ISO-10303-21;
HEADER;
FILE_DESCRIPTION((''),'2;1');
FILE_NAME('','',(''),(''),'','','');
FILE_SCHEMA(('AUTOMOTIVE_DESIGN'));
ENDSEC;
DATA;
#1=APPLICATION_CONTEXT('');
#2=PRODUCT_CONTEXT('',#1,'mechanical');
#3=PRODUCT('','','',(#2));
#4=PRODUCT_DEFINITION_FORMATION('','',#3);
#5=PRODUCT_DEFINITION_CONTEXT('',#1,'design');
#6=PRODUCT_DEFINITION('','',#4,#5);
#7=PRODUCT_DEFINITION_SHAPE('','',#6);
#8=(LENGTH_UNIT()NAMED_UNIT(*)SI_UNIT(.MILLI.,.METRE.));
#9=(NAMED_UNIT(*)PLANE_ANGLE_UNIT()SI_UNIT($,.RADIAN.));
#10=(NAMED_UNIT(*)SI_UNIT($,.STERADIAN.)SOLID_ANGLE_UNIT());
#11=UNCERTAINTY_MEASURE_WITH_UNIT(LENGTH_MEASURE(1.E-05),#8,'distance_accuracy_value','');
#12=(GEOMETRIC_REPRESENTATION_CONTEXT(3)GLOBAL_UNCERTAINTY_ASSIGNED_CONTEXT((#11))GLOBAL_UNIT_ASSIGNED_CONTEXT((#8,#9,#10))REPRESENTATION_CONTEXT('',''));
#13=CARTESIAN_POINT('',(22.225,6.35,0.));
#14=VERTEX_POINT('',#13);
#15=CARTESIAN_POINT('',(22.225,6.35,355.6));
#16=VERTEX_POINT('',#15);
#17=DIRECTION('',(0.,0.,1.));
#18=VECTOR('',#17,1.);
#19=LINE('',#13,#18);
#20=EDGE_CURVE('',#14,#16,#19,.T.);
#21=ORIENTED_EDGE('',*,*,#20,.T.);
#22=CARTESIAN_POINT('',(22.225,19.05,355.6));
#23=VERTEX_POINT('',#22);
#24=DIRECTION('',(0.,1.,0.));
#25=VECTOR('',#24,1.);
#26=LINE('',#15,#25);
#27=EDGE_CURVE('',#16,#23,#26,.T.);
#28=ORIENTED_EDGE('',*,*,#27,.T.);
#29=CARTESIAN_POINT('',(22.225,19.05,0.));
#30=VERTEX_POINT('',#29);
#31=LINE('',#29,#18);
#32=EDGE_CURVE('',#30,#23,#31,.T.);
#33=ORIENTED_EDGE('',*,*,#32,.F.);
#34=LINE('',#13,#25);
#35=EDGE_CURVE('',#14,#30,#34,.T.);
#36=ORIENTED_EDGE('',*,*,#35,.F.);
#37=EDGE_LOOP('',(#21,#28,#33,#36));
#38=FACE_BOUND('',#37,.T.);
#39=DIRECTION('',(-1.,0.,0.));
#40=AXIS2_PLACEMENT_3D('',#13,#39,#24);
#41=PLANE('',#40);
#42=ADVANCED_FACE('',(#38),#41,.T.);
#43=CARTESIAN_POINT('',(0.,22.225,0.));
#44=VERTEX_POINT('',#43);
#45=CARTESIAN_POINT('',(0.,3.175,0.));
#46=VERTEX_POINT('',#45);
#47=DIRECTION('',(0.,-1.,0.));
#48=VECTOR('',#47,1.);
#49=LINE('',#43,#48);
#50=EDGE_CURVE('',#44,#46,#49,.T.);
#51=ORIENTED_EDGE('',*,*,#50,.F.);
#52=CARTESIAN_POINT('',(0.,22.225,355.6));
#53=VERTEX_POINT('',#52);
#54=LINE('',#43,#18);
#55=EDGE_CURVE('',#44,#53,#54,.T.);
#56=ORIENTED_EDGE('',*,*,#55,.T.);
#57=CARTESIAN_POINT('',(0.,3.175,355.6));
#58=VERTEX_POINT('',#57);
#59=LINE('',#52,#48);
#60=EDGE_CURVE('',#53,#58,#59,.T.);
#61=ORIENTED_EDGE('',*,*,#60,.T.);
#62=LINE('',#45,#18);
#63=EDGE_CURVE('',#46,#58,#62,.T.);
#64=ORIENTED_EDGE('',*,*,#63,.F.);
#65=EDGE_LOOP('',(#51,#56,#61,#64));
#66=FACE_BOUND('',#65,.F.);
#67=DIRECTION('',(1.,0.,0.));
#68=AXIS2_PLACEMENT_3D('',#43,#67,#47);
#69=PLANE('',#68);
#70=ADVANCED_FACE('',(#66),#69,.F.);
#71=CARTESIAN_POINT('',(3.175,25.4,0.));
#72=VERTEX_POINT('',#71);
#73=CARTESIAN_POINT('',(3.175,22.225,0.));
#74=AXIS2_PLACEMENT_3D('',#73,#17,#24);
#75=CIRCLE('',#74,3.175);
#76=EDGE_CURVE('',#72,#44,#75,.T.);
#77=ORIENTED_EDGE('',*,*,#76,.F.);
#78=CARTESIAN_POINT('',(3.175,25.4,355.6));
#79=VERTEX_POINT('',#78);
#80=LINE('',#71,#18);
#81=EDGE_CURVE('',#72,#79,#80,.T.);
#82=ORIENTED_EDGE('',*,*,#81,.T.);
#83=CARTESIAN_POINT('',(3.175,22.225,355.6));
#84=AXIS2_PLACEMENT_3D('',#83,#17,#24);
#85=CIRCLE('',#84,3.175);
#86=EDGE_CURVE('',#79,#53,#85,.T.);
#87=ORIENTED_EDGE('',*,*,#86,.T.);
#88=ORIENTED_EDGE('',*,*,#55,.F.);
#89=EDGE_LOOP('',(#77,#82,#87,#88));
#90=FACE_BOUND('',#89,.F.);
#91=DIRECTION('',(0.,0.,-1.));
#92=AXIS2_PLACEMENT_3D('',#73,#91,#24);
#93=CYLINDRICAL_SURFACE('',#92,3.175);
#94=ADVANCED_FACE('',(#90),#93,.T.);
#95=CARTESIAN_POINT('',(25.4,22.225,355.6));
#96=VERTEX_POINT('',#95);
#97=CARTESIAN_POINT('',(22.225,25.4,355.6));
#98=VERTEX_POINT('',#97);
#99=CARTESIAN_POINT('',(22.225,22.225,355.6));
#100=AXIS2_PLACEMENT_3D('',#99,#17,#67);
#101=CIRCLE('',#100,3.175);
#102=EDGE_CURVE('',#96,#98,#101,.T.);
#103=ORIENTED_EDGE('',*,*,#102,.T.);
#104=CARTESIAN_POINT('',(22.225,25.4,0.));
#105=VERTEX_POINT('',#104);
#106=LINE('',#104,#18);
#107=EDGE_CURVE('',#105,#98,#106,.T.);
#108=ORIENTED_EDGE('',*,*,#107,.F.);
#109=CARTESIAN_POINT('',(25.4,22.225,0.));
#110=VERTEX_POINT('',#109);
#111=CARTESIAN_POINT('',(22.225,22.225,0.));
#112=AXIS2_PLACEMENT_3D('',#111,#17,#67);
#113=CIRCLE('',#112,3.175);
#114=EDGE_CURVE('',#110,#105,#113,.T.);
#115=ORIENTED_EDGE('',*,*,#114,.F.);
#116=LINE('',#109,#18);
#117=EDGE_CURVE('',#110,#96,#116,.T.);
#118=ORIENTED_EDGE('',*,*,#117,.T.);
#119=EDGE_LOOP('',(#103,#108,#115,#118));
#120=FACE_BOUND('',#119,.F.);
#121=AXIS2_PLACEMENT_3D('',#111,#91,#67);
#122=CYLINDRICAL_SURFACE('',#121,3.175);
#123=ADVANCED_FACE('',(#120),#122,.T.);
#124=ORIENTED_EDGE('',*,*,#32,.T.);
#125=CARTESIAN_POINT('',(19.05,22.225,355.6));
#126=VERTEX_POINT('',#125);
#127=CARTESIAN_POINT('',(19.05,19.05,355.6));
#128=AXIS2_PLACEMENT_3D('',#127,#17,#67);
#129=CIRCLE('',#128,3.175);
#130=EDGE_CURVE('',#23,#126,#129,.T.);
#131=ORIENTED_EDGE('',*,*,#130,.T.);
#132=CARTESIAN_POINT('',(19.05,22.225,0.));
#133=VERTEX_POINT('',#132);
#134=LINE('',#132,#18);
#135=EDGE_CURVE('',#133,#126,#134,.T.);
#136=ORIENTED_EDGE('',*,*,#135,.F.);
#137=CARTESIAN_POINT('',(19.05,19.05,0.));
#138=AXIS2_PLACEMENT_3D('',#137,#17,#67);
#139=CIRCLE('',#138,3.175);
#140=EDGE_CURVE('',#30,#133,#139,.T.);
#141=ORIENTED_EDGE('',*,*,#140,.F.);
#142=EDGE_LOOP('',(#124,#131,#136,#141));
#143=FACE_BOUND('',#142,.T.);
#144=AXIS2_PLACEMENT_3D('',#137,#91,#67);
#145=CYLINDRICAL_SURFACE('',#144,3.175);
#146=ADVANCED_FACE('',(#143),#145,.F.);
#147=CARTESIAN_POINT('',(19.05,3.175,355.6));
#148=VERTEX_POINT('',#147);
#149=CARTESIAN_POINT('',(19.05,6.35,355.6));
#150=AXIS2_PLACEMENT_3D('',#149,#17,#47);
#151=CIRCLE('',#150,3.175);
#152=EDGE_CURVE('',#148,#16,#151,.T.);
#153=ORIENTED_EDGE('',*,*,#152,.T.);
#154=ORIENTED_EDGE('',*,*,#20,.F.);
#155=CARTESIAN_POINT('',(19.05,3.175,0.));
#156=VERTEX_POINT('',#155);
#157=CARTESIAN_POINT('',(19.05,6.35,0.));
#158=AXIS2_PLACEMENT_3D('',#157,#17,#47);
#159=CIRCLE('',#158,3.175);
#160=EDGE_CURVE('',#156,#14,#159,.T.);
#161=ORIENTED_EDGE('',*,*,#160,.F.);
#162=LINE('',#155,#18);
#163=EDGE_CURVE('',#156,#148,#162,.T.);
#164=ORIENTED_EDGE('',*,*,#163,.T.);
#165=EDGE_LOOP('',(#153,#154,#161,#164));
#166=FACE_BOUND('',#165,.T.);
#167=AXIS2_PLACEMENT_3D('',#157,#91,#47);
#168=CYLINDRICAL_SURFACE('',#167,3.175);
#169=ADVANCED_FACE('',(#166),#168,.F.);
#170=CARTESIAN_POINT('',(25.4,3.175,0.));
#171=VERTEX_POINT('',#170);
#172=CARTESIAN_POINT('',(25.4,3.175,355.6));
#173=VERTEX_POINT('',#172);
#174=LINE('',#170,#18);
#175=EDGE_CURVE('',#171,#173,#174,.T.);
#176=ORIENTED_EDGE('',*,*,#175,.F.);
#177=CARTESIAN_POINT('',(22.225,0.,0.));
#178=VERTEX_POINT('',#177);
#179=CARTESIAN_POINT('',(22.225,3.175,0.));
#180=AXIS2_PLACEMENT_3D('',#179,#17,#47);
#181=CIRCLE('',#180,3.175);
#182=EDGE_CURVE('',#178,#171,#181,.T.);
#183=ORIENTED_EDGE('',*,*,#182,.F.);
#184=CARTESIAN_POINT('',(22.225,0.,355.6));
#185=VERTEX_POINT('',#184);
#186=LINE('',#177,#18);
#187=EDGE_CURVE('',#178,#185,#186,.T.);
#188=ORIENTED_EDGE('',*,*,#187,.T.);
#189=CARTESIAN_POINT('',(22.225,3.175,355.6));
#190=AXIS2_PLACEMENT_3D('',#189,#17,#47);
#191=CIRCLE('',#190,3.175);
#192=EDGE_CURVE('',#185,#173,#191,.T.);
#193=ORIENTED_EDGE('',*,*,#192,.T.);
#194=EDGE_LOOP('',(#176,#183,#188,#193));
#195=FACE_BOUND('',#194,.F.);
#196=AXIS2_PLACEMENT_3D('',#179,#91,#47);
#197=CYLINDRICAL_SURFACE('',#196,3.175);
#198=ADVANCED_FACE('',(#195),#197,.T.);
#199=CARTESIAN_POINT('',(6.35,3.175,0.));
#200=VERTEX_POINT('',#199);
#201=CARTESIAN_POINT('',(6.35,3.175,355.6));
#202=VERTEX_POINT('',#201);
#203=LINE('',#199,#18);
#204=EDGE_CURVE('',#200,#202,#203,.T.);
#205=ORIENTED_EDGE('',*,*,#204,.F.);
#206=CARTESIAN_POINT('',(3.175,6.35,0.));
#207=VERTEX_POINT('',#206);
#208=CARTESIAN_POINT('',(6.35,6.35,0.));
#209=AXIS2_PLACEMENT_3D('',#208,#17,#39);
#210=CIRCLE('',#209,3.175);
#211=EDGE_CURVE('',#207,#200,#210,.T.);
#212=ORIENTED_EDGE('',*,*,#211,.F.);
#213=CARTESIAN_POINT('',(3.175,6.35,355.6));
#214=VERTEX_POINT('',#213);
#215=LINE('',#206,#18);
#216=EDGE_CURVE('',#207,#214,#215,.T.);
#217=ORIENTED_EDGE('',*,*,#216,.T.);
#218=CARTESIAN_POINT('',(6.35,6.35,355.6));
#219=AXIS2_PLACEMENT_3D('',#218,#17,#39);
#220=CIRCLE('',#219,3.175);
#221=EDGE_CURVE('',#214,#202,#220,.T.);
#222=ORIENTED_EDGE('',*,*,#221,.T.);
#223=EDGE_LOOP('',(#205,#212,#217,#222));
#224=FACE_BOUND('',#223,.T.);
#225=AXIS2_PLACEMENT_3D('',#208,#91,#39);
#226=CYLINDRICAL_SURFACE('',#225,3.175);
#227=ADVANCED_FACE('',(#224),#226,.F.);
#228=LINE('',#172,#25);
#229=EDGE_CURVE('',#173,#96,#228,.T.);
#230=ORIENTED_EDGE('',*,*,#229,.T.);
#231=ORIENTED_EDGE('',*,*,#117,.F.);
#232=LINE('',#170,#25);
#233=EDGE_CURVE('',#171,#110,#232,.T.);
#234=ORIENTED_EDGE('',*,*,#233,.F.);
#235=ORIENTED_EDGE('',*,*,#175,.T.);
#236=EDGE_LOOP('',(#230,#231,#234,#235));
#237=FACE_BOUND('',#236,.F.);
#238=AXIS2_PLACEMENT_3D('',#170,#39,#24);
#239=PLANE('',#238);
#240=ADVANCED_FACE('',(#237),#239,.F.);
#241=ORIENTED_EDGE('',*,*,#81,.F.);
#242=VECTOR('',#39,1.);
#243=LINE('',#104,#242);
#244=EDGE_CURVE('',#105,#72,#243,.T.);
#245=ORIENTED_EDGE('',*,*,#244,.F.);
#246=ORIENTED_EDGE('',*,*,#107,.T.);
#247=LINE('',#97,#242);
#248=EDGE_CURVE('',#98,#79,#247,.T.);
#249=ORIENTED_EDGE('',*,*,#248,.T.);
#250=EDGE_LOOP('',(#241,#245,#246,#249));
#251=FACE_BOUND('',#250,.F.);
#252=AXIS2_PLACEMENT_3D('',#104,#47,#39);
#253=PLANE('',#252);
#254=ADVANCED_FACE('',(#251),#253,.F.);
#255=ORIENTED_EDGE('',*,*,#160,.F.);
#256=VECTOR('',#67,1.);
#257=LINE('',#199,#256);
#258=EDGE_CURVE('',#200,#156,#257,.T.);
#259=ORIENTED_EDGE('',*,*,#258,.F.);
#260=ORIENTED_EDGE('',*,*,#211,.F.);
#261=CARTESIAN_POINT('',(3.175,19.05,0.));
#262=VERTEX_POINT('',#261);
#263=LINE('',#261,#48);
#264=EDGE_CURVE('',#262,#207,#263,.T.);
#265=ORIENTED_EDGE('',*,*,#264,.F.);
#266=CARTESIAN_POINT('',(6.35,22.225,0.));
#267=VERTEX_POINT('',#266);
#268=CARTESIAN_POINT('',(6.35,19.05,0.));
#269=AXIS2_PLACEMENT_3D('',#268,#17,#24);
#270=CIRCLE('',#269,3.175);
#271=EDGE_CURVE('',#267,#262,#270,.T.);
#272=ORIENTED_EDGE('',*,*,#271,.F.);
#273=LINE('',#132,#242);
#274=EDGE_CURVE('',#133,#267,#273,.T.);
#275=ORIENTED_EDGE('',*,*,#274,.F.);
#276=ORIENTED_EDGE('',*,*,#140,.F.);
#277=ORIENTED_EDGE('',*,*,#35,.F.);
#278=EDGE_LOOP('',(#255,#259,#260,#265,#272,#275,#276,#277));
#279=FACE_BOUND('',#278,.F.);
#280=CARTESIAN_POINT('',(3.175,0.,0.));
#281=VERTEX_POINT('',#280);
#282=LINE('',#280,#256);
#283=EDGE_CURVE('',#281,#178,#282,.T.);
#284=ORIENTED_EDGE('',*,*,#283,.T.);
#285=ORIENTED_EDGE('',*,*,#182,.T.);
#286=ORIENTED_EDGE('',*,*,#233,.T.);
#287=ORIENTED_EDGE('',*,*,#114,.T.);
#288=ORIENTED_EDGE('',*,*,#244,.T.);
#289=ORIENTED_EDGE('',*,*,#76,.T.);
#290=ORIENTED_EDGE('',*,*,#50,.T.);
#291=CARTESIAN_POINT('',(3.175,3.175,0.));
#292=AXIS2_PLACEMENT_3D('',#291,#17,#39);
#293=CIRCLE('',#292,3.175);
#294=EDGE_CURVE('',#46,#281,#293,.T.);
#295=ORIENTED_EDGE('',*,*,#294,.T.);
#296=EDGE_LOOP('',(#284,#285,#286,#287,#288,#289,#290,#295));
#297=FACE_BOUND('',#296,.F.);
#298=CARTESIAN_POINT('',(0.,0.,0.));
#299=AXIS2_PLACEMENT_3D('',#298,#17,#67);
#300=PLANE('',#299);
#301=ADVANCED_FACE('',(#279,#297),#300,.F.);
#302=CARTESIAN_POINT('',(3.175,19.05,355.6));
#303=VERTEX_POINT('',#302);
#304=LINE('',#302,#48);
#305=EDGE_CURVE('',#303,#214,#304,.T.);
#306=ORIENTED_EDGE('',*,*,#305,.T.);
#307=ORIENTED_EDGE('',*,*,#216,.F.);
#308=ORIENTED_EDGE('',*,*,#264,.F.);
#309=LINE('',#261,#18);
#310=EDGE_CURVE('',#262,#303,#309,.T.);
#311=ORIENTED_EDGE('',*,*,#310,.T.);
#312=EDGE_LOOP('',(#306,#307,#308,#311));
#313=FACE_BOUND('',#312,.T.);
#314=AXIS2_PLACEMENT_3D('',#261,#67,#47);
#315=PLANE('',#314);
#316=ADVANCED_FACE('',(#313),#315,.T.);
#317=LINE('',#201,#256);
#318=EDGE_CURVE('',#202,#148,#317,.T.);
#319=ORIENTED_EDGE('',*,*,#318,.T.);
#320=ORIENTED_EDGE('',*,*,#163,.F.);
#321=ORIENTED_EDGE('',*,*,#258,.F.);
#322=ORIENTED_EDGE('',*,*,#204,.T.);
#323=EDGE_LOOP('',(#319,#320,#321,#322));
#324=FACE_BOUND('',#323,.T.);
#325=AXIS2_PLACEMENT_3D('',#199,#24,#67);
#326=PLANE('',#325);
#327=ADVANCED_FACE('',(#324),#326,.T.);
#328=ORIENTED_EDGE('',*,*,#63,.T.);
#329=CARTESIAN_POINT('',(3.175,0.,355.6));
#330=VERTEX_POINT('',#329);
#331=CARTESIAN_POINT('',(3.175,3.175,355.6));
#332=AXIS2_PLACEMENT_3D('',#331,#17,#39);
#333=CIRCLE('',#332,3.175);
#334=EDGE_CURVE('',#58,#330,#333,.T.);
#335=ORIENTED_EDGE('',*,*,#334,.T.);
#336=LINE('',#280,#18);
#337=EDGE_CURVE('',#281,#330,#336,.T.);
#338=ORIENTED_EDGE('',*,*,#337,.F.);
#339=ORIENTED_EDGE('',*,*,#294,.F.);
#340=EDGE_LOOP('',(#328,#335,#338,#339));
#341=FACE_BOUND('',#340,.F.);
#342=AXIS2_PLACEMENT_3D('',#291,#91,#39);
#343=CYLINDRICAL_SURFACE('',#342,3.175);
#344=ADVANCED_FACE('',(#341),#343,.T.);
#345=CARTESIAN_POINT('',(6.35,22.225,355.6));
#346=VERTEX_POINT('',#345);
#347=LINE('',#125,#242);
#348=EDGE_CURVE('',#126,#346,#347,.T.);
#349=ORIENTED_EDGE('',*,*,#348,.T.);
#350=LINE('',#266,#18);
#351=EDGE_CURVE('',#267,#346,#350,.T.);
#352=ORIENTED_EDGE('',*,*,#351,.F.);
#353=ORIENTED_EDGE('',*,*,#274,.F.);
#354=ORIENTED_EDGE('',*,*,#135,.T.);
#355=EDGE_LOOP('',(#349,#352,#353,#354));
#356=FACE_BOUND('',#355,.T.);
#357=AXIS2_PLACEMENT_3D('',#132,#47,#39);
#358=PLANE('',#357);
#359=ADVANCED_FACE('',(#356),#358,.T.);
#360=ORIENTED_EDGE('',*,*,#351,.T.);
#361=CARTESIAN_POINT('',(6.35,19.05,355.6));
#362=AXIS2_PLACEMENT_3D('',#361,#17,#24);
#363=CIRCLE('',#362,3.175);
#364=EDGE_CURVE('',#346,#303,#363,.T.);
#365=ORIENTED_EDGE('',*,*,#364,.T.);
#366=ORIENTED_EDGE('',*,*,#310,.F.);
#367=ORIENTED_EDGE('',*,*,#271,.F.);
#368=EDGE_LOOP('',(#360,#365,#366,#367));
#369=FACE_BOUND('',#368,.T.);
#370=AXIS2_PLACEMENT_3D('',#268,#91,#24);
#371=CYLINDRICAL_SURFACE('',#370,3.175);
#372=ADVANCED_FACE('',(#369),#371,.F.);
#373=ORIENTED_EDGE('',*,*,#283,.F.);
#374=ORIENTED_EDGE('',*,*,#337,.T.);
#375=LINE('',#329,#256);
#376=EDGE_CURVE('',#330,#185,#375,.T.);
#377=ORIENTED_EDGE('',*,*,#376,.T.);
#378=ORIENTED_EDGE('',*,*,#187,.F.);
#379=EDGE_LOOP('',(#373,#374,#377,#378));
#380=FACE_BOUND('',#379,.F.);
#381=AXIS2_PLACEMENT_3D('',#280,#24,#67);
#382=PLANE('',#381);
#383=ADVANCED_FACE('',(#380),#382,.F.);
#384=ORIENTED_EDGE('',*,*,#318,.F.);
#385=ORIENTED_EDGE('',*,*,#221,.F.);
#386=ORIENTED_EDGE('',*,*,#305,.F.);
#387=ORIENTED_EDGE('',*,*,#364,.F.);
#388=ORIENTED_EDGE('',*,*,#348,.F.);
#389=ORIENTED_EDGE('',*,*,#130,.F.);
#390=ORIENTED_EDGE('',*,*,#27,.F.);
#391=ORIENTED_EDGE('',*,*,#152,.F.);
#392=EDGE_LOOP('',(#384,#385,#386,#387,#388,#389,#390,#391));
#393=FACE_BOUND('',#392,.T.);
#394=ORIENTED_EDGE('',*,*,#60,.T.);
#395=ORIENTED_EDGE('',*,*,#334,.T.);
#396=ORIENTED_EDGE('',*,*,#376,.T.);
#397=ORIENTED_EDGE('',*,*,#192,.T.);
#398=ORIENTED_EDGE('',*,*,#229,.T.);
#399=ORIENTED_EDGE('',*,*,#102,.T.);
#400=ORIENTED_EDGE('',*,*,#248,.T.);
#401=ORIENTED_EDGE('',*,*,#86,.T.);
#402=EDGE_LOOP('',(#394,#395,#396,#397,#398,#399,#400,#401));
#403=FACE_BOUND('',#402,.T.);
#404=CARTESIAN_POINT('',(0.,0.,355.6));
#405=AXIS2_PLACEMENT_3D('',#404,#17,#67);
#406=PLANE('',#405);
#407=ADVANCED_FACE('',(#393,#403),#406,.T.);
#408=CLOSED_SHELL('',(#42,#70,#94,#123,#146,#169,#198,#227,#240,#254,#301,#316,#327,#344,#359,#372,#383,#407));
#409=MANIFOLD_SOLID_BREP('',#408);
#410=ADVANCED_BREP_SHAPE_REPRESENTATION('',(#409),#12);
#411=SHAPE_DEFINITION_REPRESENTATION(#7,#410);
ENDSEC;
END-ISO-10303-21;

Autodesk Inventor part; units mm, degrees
ref_plane "YZ Plane" through (0, 0, 0) normal (1, 0, 0) x (0, 1, 0)
ref_plane "XZ Plane" through (0, 0, 0) normal (0, 1, 0) x (-1, 0, 0)
ref_plane "XY Plane" through (0, 0, 0) normal (0, 0, 1) x (1, 0, 0)
sketch "Sketch1" plane through (0, 0, 0) normal (0, 0, 1) x (1, 0, 0)
  line L0 (3.175, 0) -> (22.225, 0)
  line L1 (25.4, 3.175) -> (25.4, 22.225)
  line L2 (22.225, 25.4) -> (3.175, 25.4)
  line L3 (0, 22.225) -> (0, 3.175)
  arc A0 (3.175, 25.4) -> (0, 22.225) centre (3.175, 22.225) ccw
  arc A1 (25.4, 22.225) -> (22.225, 25.4) centre (22.225, 22.225) ccw
  arc A2 (22.225, 0) -> (25.4, 3.175) centre (22.225, 3.175) ccw
  arc A3 (0, 3.175) -> (3.175, 0) centre (3.175, 3.175) ccw
  line L4 (6.35, 3.175) -> (19.05, 3.175)
  line L5 (22.225, 6.35) -> (22.225, 19.05)
  line L6 (19.05, 22.225) -> (6.35, 22.225)
  line L7 (3.175, 19.05) -> (3.175, 6.35)
  arc A4 (6.35, 22.225) -> (3.175, 19.05) centre (6.35, 19.05) ccw
  arc A5 (19.05, 3.175) -> (22.225, 6.35) centre (19.05, 6.35) ccw
  arc A6 (22.225, 19.05) -> (19.05, 22.225) centre (19.05, 19.05) ccw
  arc A7 (3.175, 6.35) -> (6.35, 3.175) centre (6.35, 6.35) ccw
  point P0 (0, 0)
  point P1 (25.4, 25.4)
  point P2 (25.4, 0)
  point P3 (0, 25.4)
  dimension "d0" = 25.4
  dimension "d1" = 25.4
  dimension "d2" = 3.175
  dimension "d3" = 3.175
extrude "Extrusion1" add sketch "Sketch1" along normal blind 355.6
properties part number "FrontHoriz"
